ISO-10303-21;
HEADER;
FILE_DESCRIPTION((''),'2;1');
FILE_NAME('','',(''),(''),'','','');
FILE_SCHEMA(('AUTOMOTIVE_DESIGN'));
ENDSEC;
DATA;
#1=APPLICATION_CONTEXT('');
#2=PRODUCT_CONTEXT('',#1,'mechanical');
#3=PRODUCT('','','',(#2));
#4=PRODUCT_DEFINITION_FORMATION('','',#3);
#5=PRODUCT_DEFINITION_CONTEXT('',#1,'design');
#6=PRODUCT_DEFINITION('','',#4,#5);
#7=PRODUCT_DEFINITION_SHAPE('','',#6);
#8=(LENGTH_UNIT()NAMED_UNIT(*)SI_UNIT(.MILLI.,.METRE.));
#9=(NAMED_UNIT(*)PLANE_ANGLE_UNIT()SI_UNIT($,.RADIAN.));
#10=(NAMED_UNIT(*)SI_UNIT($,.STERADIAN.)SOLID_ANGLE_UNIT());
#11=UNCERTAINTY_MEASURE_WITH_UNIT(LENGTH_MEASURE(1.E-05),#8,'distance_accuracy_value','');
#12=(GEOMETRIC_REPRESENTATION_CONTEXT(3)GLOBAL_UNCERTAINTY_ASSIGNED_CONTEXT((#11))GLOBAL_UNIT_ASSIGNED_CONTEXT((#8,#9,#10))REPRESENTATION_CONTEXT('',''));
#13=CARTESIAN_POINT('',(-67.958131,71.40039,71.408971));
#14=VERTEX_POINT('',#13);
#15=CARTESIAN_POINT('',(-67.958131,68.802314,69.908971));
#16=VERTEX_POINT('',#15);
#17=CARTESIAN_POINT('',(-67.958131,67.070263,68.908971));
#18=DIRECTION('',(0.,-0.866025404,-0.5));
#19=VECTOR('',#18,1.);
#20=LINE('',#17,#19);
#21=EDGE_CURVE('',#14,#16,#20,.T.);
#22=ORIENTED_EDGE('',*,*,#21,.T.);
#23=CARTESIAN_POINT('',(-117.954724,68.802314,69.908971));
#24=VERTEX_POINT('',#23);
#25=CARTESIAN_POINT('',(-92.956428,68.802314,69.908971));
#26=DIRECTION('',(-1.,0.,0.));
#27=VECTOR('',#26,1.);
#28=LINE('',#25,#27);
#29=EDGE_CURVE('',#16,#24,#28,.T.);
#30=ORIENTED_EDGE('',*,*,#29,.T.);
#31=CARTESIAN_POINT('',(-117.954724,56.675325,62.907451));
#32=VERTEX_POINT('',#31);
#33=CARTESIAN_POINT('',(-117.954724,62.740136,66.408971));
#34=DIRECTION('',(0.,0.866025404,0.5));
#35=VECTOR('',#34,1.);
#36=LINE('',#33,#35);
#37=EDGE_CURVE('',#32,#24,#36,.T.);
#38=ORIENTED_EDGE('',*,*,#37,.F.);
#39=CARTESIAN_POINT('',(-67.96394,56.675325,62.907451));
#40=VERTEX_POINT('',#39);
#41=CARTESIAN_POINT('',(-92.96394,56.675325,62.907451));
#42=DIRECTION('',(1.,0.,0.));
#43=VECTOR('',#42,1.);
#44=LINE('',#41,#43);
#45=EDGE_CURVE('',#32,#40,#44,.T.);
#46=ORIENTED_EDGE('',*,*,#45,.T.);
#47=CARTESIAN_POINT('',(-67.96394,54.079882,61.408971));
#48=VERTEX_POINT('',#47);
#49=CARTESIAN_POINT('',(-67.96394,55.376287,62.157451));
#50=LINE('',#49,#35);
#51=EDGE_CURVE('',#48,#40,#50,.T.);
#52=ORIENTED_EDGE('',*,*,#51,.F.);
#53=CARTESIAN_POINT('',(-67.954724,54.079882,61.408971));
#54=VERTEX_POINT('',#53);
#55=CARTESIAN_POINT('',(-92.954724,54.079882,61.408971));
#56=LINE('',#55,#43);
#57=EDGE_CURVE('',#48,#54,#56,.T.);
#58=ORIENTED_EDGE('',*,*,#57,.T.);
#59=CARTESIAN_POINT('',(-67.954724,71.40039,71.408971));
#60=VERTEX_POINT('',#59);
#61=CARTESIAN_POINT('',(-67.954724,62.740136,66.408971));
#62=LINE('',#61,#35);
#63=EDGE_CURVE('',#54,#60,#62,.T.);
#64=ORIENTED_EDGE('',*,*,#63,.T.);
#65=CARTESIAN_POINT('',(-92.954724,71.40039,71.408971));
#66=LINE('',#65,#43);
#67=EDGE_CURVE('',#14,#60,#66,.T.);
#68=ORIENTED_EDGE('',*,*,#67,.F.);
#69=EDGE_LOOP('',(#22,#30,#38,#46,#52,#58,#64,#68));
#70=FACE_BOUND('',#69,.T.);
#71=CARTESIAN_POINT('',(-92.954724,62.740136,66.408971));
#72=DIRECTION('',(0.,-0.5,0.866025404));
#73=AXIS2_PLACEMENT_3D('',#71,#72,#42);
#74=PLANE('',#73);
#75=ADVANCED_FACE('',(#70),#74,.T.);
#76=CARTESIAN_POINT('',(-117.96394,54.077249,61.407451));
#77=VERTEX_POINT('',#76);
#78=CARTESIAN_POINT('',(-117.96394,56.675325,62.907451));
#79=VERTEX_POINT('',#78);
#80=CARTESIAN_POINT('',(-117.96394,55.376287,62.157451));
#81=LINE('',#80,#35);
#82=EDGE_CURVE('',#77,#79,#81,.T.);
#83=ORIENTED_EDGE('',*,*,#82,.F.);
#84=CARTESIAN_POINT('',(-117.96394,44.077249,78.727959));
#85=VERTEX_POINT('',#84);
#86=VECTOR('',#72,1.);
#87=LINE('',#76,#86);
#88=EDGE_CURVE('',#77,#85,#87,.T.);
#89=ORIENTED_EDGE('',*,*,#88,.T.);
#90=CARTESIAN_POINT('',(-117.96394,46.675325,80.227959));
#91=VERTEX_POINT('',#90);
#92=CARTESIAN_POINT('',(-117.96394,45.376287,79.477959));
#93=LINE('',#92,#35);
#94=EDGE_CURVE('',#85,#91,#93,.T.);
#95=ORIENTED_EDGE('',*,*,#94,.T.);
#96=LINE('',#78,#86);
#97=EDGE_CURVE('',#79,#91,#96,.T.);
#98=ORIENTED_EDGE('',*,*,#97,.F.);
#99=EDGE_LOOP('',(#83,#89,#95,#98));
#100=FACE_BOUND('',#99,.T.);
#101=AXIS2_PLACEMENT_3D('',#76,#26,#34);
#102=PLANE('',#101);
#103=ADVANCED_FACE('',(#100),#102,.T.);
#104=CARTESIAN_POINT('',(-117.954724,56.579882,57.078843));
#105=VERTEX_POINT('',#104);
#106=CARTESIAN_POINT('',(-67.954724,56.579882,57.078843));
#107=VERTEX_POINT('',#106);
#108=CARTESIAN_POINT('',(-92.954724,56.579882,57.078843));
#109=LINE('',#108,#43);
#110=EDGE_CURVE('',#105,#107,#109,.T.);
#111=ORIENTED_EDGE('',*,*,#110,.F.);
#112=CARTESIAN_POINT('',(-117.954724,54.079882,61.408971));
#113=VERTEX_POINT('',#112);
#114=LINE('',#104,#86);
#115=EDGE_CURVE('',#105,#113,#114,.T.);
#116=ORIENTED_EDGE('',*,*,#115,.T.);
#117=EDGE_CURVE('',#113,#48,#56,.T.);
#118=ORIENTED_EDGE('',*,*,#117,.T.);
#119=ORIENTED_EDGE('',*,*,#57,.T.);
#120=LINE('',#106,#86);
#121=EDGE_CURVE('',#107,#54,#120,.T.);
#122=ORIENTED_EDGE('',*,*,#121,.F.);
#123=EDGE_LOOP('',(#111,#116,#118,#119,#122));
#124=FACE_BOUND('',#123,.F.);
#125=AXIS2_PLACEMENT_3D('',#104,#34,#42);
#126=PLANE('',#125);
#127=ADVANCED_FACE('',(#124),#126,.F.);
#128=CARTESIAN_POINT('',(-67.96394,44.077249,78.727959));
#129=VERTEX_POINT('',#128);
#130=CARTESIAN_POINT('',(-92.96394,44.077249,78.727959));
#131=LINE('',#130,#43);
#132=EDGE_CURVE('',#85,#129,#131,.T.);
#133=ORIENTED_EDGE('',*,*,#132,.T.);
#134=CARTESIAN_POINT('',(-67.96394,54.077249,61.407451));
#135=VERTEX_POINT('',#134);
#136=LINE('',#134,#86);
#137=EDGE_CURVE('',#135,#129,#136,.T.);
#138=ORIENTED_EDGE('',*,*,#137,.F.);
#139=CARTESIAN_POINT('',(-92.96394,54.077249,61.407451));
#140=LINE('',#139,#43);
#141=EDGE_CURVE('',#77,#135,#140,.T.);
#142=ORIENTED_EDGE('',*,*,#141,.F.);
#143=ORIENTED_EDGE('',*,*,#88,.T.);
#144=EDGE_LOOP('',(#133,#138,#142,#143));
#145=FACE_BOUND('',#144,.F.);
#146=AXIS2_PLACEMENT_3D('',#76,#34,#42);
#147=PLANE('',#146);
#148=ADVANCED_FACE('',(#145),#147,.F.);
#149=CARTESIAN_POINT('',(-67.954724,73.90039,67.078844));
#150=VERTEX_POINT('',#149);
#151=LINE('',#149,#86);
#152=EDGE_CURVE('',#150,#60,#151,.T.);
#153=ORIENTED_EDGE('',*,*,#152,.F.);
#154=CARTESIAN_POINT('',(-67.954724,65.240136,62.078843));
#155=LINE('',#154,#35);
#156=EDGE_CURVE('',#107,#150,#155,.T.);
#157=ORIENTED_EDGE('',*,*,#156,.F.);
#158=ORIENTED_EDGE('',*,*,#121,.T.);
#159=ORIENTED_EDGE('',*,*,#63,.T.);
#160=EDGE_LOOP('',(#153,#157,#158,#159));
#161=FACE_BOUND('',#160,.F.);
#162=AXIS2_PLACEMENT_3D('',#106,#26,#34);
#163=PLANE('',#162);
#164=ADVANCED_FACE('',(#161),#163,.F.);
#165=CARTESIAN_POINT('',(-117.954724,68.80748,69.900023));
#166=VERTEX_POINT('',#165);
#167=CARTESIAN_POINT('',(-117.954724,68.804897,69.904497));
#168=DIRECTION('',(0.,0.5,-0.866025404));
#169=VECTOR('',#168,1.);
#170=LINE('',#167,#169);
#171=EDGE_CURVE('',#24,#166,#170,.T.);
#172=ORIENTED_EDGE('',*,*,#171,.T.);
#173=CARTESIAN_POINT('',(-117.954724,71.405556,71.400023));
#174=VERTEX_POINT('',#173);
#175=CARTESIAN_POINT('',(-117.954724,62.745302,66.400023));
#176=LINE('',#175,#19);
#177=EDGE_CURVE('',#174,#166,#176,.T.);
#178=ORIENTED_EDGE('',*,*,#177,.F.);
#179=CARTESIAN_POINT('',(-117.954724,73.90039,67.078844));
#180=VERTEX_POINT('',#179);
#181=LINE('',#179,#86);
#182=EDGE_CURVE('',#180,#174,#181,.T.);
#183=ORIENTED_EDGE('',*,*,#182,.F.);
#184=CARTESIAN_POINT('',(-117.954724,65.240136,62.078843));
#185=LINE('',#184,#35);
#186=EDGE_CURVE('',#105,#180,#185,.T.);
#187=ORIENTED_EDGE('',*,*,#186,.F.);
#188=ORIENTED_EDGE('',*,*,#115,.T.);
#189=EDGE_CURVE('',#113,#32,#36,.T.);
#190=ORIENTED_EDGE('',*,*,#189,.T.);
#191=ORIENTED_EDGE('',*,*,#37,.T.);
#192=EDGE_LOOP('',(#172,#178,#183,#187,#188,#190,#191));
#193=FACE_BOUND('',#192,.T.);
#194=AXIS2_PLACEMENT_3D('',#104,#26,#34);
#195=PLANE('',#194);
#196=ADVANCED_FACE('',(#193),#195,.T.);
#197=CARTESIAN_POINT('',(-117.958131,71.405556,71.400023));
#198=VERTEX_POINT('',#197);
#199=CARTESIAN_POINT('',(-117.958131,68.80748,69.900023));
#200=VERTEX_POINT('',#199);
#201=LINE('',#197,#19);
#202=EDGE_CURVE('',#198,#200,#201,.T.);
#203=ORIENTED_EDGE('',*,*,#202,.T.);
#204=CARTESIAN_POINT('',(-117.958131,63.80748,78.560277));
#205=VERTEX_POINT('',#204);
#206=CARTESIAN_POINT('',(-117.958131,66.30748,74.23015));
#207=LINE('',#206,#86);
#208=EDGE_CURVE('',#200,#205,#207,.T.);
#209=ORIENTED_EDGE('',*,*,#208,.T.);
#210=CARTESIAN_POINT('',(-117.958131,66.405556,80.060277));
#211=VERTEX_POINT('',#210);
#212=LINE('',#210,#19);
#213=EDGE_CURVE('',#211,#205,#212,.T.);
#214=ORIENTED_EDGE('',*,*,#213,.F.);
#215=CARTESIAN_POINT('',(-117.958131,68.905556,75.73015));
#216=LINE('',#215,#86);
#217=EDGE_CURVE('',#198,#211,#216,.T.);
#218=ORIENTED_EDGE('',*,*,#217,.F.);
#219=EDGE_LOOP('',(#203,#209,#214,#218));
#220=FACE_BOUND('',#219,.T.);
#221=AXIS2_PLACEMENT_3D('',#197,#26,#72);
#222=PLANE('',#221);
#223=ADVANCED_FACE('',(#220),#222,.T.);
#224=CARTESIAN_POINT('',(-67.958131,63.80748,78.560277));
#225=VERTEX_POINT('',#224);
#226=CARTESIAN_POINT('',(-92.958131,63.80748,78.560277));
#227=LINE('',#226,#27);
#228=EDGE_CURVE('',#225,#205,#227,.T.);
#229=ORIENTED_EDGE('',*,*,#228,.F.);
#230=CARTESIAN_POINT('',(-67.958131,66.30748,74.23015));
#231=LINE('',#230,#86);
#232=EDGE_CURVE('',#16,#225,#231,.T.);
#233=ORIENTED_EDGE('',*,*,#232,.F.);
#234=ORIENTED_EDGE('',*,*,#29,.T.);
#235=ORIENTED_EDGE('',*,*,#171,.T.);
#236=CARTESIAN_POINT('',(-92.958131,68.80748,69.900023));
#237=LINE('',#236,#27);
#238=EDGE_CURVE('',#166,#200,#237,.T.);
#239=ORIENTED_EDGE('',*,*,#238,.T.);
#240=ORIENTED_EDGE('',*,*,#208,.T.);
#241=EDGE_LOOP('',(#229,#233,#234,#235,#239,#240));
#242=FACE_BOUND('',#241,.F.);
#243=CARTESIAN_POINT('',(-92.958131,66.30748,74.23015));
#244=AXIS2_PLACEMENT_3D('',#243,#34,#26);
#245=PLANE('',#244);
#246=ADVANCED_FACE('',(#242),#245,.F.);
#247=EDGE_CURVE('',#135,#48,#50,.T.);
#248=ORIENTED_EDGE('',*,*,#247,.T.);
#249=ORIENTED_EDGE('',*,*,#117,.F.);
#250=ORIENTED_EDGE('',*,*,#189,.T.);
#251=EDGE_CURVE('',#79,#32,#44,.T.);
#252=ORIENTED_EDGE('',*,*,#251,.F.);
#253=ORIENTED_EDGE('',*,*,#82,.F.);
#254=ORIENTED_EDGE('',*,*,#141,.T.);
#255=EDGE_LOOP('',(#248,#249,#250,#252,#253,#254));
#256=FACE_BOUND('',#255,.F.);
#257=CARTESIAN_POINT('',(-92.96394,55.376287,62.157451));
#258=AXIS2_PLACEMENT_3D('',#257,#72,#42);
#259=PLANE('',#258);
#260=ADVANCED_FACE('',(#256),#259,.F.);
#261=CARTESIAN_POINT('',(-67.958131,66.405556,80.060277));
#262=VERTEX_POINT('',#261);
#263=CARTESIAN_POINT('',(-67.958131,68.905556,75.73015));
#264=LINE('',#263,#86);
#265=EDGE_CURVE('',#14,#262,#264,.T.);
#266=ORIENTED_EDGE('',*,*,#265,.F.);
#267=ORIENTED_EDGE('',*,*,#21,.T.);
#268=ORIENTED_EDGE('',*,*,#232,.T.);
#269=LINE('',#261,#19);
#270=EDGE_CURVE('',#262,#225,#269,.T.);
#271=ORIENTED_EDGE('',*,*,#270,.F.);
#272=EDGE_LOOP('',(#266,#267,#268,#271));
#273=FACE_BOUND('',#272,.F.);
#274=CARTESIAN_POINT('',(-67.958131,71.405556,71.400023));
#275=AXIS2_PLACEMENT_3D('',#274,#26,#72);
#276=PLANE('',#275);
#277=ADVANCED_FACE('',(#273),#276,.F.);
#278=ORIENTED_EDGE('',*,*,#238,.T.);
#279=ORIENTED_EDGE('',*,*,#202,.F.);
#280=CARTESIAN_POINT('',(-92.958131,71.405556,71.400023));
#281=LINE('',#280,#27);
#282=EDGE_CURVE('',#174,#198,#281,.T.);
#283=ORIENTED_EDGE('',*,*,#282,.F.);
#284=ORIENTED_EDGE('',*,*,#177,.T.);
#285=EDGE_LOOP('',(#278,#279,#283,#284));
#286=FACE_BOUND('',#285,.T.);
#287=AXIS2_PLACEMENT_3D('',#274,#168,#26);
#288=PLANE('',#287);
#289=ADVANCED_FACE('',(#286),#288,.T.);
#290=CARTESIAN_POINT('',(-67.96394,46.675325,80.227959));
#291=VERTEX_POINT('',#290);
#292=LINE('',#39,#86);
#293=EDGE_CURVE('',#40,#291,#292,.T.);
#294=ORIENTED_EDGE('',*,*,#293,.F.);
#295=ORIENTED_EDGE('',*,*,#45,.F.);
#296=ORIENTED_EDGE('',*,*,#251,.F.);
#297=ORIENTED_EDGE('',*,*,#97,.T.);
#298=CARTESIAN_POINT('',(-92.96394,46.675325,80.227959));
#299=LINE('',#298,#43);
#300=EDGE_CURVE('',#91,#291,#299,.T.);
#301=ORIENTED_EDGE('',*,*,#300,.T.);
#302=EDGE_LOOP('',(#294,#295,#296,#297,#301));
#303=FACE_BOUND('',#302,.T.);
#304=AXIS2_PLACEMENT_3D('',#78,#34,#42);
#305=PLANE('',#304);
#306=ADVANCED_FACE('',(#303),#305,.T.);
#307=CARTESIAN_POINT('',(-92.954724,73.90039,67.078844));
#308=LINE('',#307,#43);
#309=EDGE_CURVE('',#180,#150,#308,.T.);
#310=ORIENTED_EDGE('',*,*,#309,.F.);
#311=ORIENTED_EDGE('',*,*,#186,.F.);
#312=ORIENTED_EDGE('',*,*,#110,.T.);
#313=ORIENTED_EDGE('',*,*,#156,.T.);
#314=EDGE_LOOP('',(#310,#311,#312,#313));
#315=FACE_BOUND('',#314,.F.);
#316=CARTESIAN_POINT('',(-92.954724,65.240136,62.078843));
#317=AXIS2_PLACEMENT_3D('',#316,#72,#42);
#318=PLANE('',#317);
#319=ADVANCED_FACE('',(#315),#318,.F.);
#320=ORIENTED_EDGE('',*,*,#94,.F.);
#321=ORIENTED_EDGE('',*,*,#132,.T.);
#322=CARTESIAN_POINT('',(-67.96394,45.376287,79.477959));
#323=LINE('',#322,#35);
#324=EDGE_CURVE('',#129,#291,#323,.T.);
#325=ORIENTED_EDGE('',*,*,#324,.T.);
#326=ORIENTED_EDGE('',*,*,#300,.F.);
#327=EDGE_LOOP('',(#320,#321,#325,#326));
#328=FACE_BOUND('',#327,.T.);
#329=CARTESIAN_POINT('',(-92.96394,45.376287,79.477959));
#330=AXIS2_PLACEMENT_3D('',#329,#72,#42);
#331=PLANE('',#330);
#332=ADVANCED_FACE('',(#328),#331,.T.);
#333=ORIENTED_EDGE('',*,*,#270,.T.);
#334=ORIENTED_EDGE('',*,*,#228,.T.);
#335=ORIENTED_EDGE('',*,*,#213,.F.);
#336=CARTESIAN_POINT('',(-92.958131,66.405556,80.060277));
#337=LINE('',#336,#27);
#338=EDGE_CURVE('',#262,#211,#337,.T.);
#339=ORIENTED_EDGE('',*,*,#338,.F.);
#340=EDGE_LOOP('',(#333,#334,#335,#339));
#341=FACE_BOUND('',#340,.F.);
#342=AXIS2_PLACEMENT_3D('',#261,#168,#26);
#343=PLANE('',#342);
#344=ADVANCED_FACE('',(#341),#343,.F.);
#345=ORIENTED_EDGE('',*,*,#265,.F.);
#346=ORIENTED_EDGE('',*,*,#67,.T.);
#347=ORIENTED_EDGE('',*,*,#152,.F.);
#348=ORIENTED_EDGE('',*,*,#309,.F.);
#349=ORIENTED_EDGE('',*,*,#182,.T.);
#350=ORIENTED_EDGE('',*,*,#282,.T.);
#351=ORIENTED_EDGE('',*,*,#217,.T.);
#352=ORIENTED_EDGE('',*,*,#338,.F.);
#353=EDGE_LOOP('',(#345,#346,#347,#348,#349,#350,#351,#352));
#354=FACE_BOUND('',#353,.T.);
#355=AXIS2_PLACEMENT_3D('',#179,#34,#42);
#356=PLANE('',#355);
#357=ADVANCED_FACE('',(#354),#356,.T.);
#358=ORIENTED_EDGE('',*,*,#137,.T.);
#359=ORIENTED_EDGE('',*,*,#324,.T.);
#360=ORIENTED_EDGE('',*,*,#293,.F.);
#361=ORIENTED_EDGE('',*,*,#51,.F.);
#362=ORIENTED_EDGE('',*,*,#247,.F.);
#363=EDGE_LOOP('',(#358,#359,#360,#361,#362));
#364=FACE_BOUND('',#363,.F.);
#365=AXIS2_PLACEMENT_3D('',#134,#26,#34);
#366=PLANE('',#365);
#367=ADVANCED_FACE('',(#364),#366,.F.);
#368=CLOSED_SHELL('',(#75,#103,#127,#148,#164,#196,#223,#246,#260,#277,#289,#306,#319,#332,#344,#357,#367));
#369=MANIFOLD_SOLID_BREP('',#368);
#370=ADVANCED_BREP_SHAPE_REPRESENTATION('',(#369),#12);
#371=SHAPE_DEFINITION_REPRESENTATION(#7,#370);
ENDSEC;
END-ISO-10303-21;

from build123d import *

# Parameters (mm, degrees)
SKETCH043_W             = 50
SKETCH043_H             = 20
PAD042_DEPTH            = 5
SKETCH044_W             = 50
SKETCH044_H             = 3
PAD043_DEPTH            = 20
SKETCH047_W             = 50
SKETCH047_H             = 10
PAD046_DEPTH            = 3
BODY039_PLACEMENT_ANGLE = 30


with BuildPart() as part:
    # Sketch043 → Pad042 (new body)
    with BuildSketch(Plane.XY):
        with Locations((184.845276, -123.914059)):
            Rectangle(SKETCH043_W, SKETCH043_H)
    extrude(amount=PAD042_DEPTH)

    # Sketch044 (on Face6 of Pad042) → Pad043 (join)
    with BuildSketch(Plane.XY.offset(5)):
        with Locations((184.83606, -132.417099)):
            Rectangle(SKETCH044_W, SKETCH044_H)
    extrude(amount=PAD043_DEPTH)

    # Sketch047 (on Face7 of Pad043) → Pad046 (join)
    with BuildSketch(Plane(origin=(0, -113.914059, 0), x_dir=(-1, 0, 0), z_dir=(0, 1, 0))):
        with Locations((-184.841869, 9.989668)):
            Rectangle(SKETCH047_W, SKETCH047_H)
    extrude(amount=-PAD046_DEPTH)


with BuildPart() as part_1:
    # Body039 placement: moved
    add(part.part.moved(Location((-277.8, 172.552859, 124.035873))).rotate(Axis((-277.8, 172.552859, 124.035873), (1, 0, 0)), BODY039_PLACEMENT_ANGLE))


solid = part_1.part
